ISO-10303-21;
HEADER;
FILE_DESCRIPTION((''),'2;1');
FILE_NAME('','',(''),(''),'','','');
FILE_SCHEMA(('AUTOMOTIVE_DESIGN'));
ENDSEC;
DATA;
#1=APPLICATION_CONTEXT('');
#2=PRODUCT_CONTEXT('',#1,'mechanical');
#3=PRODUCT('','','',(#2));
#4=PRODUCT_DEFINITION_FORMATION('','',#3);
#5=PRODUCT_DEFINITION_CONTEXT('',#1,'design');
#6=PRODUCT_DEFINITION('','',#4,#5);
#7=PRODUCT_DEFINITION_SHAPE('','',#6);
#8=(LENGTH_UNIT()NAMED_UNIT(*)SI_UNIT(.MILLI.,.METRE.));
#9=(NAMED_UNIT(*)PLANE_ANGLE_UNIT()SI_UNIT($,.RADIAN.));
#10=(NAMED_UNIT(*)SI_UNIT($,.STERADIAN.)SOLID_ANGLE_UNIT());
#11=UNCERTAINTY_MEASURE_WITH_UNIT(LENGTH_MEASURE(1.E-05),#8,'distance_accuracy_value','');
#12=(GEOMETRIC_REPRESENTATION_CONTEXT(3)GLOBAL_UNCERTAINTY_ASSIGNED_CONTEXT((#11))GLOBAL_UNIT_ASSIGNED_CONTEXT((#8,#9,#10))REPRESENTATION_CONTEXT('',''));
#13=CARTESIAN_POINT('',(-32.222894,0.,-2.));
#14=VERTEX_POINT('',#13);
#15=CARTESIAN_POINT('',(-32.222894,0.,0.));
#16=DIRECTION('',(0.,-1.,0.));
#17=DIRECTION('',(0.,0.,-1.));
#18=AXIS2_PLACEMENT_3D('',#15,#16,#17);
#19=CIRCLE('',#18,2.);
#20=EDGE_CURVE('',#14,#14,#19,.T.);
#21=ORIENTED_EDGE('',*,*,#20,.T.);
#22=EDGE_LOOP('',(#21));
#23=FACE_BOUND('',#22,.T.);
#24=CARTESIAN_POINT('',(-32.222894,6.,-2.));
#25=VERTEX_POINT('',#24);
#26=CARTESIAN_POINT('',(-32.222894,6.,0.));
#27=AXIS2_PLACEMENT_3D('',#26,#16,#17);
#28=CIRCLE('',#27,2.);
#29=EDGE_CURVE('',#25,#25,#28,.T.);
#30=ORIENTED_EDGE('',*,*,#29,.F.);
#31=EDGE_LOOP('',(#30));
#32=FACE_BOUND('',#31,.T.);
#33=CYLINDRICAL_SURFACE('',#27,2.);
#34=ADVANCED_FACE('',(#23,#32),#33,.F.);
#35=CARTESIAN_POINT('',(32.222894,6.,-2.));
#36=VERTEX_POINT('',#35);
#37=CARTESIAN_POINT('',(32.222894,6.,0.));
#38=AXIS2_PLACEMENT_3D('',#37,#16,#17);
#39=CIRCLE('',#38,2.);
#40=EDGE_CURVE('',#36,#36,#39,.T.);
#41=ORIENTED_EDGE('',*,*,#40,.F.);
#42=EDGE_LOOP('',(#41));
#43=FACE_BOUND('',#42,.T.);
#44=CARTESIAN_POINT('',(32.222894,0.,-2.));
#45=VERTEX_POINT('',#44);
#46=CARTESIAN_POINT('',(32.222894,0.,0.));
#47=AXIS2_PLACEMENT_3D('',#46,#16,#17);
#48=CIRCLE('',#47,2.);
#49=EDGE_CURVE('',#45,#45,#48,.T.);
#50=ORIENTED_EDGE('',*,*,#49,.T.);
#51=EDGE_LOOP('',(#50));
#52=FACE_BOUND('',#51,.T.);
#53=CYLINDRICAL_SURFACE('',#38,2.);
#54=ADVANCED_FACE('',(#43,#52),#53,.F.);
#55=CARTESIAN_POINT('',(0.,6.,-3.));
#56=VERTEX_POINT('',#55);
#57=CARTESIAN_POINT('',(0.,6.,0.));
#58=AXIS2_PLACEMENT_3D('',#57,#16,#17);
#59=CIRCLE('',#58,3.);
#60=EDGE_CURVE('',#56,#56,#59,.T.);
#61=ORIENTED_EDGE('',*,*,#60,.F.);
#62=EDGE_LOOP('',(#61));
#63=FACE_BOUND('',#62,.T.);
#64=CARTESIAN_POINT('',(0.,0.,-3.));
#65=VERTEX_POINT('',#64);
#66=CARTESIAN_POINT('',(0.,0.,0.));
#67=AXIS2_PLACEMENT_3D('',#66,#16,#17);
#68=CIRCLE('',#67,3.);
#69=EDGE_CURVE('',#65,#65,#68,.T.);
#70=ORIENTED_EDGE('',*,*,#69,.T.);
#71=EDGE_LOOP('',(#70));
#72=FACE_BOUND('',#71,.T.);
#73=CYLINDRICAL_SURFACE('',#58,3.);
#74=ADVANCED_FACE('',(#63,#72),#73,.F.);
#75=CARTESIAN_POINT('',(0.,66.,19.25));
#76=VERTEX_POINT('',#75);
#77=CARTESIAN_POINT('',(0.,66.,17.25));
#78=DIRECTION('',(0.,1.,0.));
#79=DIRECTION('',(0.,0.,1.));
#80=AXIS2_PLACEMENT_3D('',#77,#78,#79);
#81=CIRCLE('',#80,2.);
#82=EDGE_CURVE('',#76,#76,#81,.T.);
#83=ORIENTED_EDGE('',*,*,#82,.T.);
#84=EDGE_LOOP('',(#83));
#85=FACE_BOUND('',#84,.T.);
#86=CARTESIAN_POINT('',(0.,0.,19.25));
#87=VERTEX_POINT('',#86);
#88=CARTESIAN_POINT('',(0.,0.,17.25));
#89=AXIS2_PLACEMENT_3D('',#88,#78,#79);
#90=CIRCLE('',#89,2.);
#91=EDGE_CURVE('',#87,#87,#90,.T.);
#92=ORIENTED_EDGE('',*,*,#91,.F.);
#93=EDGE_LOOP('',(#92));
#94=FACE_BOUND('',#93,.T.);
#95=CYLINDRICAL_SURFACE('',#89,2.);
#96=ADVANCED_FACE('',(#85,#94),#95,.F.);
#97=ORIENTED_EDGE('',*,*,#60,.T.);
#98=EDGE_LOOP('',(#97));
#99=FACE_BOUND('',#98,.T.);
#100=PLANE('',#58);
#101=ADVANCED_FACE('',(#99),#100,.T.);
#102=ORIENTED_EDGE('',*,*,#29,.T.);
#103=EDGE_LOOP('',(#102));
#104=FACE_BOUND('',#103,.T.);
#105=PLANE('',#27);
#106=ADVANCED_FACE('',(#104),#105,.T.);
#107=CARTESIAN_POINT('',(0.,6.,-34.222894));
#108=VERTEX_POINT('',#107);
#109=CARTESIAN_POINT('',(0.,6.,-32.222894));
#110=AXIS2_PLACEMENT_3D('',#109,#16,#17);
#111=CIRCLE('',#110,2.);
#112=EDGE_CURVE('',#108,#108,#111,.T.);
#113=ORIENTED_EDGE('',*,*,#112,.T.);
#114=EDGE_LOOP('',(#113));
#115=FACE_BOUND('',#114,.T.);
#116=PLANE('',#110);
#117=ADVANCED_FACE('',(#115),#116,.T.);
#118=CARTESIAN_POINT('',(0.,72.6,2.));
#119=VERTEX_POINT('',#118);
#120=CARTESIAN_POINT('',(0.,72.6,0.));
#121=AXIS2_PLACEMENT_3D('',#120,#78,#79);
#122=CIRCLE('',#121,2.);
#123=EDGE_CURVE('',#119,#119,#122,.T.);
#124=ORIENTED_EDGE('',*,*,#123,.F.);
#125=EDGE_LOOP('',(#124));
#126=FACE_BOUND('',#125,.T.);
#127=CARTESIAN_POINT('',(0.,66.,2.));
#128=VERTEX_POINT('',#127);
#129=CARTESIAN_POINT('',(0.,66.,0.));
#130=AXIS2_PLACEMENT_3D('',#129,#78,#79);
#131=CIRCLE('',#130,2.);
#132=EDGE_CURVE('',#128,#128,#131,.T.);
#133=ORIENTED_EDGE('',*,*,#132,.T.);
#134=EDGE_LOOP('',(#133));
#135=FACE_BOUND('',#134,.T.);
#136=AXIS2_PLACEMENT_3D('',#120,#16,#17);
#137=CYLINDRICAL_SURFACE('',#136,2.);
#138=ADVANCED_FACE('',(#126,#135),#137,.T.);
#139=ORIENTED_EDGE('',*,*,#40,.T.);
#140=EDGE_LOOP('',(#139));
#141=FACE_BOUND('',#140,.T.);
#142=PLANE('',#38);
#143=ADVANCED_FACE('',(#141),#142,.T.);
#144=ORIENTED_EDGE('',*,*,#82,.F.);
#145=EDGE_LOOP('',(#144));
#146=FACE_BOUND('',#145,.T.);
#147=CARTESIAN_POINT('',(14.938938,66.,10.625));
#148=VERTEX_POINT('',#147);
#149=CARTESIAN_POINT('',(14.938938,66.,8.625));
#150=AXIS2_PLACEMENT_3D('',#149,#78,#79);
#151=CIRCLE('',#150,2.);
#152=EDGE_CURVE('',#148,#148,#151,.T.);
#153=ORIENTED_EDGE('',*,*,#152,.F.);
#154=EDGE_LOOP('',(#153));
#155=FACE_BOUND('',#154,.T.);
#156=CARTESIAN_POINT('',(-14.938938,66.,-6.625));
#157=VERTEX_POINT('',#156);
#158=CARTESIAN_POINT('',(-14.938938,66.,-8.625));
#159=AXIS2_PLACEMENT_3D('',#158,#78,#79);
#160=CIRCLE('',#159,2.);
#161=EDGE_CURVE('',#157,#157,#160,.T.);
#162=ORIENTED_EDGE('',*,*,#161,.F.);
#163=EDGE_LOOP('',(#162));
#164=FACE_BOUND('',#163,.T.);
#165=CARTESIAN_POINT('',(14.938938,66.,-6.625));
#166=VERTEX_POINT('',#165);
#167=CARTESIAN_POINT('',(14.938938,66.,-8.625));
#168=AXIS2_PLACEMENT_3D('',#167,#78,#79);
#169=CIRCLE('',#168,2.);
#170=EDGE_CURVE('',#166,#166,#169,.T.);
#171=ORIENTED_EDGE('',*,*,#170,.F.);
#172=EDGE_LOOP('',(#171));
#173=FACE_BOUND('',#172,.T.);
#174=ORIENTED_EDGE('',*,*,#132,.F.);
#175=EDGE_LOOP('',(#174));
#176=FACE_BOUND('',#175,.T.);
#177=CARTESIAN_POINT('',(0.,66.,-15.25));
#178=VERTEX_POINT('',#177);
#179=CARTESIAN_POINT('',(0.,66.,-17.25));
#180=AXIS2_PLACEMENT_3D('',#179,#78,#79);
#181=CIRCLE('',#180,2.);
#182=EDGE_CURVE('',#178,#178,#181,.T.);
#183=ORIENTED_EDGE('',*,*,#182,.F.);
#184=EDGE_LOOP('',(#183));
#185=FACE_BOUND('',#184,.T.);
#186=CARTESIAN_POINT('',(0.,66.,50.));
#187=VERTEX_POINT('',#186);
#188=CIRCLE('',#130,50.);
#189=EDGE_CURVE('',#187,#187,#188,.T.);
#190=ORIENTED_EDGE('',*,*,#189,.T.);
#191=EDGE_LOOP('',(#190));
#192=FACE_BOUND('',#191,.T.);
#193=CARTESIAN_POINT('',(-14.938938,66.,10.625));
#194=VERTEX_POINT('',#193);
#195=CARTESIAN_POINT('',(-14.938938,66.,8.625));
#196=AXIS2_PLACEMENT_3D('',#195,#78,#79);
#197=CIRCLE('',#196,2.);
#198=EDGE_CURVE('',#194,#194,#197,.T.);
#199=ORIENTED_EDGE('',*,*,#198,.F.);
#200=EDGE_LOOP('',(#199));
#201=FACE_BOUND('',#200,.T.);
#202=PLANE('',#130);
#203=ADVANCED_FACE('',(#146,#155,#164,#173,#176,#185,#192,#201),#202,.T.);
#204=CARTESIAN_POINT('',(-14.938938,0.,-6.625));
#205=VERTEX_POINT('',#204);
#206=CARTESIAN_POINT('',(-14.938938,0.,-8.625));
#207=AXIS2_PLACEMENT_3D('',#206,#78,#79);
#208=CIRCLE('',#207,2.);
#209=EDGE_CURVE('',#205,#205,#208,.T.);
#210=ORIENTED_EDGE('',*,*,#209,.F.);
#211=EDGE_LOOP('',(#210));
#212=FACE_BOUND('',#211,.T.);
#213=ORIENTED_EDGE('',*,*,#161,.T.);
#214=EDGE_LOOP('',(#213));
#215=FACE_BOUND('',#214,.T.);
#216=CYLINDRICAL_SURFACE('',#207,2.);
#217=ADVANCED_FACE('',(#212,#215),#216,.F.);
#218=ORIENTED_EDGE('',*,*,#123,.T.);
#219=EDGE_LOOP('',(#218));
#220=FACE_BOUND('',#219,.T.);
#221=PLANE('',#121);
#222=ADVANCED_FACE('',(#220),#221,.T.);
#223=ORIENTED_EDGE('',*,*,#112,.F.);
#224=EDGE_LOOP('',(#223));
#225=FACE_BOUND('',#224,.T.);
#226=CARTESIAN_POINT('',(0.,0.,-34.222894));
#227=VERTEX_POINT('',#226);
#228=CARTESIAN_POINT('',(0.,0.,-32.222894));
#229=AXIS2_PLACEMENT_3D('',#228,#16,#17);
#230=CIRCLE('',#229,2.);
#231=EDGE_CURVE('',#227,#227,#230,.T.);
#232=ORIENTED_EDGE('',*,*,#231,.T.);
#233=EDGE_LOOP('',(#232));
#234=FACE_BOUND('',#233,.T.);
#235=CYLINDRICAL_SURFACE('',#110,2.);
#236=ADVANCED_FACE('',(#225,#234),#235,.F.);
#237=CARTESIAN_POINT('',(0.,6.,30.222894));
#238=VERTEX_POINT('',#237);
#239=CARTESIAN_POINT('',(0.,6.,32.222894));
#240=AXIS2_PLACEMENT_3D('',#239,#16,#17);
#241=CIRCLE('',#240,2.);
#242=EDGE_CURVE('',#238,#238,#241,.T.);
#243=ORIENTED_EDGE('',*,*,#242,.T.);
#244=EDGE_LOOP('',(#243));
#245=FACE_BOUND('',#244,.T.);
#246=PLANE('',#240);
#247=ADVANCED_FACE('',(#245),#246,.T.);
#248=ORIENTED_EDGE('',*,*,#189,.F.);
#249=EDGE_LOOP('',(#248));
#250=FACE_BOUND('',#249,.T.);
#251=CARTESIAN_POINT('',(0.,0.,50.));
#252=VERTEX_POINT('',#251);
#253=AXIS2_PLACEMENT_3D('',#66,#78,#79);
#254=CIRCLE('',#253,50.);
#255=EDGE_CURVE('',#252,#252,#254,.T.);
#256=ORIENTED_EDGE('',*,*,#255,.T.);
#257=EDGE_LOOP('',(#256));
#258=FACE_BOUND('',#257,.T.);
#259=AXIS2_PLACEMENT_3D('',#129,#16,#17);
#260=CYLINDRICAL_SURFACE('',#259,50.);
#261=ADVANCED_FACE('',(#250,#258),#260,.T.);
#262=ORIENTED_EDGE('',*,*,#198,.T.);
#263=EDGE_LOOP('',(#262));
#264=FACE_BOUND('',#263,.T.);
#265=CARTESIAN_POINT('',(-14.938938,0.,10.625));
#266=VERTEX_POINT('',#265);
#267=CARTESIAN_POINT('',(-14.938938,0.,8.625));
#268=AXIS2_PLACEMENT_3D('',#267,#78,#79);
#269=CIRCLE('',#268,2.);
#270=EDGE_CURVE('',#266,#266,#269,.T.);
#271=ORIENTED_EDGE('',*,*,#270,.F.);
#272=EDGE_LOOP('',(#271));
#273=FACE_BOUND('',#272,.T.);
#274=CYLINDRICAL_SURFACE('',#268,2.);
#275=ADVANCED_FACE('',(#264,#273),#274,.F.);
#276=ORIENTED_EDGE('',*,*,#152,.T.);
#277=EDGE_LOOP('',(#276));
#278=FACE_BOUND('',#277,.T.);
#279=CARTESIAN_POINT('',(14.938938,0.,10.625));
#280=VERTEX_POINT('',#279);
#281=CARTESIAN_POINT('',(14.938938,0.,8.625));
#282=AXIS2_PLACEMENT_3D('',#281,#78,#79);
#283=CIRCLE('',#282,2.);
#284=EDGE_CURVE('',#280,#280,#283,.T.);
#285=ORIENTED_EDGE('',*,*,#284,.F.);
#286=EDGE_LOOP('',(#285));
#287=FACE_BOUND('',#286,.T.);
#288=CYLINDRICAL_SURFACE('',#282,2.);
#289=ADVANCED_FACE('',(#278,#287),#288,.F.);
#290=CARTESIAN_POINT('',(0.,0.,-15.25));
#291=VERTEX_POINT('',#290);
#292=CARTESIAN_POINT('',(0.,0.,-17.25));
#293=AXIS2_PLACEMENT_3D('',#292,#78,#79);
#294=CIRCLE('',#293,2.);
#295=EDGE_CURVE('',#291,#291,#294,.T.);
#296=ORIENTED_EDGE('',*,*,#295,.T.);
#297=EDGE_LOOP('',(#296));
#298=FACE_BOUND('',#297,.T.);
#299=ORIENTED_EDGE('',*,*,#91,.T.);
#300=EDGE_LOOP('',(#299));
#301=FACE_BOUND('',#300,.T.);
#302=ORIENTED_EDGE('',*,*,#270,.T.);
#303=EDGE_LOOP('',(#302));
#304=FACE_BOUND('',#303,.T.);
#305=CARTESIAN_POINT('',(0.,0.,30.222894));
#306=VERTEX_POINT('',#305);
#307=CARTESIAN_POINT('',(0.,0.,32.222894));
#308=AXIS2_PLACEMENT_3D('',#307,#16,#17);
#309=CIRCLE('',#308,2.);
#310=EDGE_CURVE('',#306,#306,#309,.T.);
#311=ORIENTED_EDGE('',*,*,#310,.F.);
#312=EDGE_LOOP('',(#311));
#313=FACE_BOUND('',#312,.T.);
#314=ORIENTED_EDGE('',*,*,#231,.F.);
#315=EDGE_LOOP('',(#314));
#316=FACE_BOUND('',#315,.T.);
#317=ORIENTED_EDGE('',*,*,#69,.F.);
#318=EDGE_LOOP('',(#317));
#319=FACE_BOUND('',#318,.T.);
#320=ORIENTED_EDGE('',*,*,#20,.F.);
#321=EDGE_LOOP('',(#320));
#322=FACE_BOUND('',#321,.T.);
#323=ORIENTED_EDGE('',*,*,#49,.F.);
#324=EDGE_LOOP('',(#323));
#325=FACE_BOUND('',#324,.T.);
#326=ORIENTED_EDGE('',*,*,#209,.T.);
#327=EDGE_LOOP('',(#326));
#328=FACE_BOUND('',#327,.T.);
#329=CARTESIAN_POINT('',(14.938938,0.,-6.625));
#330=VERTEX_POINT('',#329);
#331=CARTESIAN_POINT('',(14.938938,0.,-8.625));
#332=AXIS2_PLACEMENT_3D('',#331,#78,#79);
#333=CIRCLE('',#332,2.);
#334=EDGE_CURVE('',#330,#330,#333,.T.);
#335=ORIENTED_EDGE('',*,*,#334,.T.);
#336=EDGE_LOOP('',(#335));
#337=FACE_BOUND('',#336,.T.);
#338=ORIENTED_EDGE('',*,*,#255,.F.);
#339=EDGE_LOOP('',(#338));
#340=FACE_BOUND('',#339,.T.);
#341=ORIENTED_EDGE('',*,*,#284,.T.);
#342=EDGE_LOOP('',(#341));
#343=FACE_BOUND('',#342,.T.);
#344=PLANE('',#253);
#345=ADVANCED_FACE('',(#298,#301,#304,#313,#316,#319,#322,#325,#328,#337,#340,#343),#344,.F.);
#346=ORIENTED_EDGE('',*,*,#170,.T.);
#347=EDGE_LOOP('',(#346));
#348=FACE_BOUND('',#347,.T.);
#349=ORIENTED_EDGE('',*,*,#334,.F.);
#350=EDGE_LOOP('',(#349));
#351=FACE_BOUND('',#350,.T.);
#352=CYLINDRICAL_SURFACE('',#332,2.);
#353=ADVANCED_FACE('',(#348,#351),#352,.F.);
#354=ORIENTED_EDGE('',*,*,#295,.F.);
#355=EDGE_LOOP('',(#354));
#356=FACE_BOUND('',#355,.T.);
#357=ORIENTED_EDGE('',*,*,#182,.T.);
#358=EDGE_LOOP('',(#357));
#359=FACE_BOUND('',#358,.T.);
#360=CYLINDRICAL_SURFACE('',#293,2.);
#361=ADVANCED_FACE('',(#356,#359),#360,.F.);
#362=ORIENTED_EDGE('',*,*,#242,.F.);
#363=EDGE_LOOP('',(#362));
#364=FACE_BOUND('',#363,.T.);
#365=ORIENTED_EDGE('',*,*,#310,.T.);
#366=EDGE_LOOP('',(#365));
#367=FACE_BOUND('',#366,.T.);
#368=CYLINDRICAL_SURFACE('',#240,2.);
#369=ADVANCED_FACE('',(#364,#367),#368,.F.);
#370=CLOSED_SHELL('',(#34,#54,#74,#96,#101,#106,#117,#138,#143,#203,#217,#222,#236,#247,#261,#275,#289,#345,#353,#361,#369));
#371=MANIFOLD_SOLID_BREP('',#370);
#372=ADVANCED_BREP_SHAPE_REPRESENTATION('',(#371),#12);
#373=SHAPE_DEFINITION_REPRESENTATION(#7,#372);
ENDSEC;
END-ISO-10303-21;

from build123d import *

# Parameters (mm, degrees)
SKETCH_1_R          = 50
EXTRUDE_1_DEPTH     = 66
SKETCH_2_R          = 2
CUT_EXTRUDE_2_DEPTH = 97.726418315
SKETCH_3_R          = 2
EXTRUDE_2_DEPTH     = 6.6
SKETCH_4_R          = 3
CUT_EXTRUDE_3_DEPTH = 6
SKETCH_8_R          = 2
CUT_EXTRUDE_4_DEPTH = 6


with BuildPart() as part:
    # 草图1 → 凸台-拉伸1 (new body)
    with BuildSketch(Plane(origin=(0, 0, 0), x_dir=(1, 0, 0), z_dir=(0, 1, 0))):
        with Locations(Location((0, 0, 0), (0, 0, 270))):
            Circle(SKETCH_1_R)
    extrude(amount=EXTRUDE_1_DEPTH)

    # 草图2 → 切除-拉伸2 (cut, through all)
    with BuildSketch(Plane(origin=(0, 66, 0), x_dir=(1, 0, 0), z_dir=(0, 1, 0))):
        with Locations(Location((0, 17.25, 0), (0, 0, 270))):
            Circle(SKETCH_2_R)
        with Locations(Location((14.938938215, 8.625, 0), (0, 0, 270))):
            Circle(SKETCH_2_R)
        with Locations(Location((14.938938215, -8.625, 0), (0, 0, 270))):
            Circle(SKETCH_2_R)
        with Locations(Location((0, -17.25, 0), (0, 0, 270))):
            Circle(SKETCH_2_R)
        with Locations(Location((-14.938938215, -8.625, 0), (0, 0, 270))):
            Circle(SKETCH_2_R)
        with Locations(Location((-14.938938215, 8.625, 0), (0, 0, 270))):
            Circle(SKETCH_2_R)
    extrude(amount=-CUT_EXTRUDE_2_DEPTH, mode=Mode.SUBTRACT)

    # 草图3 → 凸台-拉伸2 (add)
    with BuildSketch(Plane(origin=(0, 66, 0), x_dir=(1, 0, 0), z_dir=(0, 1, 0))):
        with Locations(Location((0, 0, 0), (0, 0, 270))):
            Circle(SKETCH_3_R)
    extrude(amount=EXTRUDE_2_DEPTH)

    # 草图4 → 切除-拉伸3 (cut)
    with BuildSketch(Plane(origin=(0, 0, 0), x_dir=(-1, 0, 0), z_dir=(0, -1, 0))):
        with Locations(Location((0, 0, 0), (0, 0, 90))):
            Circle(SKETCH_4_R)
    extrude(amount=-CUT_EXTRUDE_3_DEPTH, mode=Mode.SUBTRACT)

    # 草图8 → 切除-拉伸4 (cut)
    with BuildSketch(Plane(origin=(0, 0, 0), x_dir=(-1, 0, 0), z_dir=(0, -1, 0))):
        with Locations(Location((0, 32.222894459, 0), (0, 0, 90))):
            Circle(SKETCH_8_R)
        with Locations(Location((32.222894459, 0, 0), (0, 0, 90))):
            Circle(SKETCH_8_R)
        with Locations(Location((0, -32.222894459, 0), (0, 0, 90))):
            Circle(SKETCH_8_R)
        with Locations(Location((-32.222894459, 0, 0), (0, 0, 90))):
            Circle(SKETCH_8_R)
    extrude(amount=-CUT_EXTRUDE_4_DEPTH, mode=Mode.SUBTRACT)


solid = part.part
